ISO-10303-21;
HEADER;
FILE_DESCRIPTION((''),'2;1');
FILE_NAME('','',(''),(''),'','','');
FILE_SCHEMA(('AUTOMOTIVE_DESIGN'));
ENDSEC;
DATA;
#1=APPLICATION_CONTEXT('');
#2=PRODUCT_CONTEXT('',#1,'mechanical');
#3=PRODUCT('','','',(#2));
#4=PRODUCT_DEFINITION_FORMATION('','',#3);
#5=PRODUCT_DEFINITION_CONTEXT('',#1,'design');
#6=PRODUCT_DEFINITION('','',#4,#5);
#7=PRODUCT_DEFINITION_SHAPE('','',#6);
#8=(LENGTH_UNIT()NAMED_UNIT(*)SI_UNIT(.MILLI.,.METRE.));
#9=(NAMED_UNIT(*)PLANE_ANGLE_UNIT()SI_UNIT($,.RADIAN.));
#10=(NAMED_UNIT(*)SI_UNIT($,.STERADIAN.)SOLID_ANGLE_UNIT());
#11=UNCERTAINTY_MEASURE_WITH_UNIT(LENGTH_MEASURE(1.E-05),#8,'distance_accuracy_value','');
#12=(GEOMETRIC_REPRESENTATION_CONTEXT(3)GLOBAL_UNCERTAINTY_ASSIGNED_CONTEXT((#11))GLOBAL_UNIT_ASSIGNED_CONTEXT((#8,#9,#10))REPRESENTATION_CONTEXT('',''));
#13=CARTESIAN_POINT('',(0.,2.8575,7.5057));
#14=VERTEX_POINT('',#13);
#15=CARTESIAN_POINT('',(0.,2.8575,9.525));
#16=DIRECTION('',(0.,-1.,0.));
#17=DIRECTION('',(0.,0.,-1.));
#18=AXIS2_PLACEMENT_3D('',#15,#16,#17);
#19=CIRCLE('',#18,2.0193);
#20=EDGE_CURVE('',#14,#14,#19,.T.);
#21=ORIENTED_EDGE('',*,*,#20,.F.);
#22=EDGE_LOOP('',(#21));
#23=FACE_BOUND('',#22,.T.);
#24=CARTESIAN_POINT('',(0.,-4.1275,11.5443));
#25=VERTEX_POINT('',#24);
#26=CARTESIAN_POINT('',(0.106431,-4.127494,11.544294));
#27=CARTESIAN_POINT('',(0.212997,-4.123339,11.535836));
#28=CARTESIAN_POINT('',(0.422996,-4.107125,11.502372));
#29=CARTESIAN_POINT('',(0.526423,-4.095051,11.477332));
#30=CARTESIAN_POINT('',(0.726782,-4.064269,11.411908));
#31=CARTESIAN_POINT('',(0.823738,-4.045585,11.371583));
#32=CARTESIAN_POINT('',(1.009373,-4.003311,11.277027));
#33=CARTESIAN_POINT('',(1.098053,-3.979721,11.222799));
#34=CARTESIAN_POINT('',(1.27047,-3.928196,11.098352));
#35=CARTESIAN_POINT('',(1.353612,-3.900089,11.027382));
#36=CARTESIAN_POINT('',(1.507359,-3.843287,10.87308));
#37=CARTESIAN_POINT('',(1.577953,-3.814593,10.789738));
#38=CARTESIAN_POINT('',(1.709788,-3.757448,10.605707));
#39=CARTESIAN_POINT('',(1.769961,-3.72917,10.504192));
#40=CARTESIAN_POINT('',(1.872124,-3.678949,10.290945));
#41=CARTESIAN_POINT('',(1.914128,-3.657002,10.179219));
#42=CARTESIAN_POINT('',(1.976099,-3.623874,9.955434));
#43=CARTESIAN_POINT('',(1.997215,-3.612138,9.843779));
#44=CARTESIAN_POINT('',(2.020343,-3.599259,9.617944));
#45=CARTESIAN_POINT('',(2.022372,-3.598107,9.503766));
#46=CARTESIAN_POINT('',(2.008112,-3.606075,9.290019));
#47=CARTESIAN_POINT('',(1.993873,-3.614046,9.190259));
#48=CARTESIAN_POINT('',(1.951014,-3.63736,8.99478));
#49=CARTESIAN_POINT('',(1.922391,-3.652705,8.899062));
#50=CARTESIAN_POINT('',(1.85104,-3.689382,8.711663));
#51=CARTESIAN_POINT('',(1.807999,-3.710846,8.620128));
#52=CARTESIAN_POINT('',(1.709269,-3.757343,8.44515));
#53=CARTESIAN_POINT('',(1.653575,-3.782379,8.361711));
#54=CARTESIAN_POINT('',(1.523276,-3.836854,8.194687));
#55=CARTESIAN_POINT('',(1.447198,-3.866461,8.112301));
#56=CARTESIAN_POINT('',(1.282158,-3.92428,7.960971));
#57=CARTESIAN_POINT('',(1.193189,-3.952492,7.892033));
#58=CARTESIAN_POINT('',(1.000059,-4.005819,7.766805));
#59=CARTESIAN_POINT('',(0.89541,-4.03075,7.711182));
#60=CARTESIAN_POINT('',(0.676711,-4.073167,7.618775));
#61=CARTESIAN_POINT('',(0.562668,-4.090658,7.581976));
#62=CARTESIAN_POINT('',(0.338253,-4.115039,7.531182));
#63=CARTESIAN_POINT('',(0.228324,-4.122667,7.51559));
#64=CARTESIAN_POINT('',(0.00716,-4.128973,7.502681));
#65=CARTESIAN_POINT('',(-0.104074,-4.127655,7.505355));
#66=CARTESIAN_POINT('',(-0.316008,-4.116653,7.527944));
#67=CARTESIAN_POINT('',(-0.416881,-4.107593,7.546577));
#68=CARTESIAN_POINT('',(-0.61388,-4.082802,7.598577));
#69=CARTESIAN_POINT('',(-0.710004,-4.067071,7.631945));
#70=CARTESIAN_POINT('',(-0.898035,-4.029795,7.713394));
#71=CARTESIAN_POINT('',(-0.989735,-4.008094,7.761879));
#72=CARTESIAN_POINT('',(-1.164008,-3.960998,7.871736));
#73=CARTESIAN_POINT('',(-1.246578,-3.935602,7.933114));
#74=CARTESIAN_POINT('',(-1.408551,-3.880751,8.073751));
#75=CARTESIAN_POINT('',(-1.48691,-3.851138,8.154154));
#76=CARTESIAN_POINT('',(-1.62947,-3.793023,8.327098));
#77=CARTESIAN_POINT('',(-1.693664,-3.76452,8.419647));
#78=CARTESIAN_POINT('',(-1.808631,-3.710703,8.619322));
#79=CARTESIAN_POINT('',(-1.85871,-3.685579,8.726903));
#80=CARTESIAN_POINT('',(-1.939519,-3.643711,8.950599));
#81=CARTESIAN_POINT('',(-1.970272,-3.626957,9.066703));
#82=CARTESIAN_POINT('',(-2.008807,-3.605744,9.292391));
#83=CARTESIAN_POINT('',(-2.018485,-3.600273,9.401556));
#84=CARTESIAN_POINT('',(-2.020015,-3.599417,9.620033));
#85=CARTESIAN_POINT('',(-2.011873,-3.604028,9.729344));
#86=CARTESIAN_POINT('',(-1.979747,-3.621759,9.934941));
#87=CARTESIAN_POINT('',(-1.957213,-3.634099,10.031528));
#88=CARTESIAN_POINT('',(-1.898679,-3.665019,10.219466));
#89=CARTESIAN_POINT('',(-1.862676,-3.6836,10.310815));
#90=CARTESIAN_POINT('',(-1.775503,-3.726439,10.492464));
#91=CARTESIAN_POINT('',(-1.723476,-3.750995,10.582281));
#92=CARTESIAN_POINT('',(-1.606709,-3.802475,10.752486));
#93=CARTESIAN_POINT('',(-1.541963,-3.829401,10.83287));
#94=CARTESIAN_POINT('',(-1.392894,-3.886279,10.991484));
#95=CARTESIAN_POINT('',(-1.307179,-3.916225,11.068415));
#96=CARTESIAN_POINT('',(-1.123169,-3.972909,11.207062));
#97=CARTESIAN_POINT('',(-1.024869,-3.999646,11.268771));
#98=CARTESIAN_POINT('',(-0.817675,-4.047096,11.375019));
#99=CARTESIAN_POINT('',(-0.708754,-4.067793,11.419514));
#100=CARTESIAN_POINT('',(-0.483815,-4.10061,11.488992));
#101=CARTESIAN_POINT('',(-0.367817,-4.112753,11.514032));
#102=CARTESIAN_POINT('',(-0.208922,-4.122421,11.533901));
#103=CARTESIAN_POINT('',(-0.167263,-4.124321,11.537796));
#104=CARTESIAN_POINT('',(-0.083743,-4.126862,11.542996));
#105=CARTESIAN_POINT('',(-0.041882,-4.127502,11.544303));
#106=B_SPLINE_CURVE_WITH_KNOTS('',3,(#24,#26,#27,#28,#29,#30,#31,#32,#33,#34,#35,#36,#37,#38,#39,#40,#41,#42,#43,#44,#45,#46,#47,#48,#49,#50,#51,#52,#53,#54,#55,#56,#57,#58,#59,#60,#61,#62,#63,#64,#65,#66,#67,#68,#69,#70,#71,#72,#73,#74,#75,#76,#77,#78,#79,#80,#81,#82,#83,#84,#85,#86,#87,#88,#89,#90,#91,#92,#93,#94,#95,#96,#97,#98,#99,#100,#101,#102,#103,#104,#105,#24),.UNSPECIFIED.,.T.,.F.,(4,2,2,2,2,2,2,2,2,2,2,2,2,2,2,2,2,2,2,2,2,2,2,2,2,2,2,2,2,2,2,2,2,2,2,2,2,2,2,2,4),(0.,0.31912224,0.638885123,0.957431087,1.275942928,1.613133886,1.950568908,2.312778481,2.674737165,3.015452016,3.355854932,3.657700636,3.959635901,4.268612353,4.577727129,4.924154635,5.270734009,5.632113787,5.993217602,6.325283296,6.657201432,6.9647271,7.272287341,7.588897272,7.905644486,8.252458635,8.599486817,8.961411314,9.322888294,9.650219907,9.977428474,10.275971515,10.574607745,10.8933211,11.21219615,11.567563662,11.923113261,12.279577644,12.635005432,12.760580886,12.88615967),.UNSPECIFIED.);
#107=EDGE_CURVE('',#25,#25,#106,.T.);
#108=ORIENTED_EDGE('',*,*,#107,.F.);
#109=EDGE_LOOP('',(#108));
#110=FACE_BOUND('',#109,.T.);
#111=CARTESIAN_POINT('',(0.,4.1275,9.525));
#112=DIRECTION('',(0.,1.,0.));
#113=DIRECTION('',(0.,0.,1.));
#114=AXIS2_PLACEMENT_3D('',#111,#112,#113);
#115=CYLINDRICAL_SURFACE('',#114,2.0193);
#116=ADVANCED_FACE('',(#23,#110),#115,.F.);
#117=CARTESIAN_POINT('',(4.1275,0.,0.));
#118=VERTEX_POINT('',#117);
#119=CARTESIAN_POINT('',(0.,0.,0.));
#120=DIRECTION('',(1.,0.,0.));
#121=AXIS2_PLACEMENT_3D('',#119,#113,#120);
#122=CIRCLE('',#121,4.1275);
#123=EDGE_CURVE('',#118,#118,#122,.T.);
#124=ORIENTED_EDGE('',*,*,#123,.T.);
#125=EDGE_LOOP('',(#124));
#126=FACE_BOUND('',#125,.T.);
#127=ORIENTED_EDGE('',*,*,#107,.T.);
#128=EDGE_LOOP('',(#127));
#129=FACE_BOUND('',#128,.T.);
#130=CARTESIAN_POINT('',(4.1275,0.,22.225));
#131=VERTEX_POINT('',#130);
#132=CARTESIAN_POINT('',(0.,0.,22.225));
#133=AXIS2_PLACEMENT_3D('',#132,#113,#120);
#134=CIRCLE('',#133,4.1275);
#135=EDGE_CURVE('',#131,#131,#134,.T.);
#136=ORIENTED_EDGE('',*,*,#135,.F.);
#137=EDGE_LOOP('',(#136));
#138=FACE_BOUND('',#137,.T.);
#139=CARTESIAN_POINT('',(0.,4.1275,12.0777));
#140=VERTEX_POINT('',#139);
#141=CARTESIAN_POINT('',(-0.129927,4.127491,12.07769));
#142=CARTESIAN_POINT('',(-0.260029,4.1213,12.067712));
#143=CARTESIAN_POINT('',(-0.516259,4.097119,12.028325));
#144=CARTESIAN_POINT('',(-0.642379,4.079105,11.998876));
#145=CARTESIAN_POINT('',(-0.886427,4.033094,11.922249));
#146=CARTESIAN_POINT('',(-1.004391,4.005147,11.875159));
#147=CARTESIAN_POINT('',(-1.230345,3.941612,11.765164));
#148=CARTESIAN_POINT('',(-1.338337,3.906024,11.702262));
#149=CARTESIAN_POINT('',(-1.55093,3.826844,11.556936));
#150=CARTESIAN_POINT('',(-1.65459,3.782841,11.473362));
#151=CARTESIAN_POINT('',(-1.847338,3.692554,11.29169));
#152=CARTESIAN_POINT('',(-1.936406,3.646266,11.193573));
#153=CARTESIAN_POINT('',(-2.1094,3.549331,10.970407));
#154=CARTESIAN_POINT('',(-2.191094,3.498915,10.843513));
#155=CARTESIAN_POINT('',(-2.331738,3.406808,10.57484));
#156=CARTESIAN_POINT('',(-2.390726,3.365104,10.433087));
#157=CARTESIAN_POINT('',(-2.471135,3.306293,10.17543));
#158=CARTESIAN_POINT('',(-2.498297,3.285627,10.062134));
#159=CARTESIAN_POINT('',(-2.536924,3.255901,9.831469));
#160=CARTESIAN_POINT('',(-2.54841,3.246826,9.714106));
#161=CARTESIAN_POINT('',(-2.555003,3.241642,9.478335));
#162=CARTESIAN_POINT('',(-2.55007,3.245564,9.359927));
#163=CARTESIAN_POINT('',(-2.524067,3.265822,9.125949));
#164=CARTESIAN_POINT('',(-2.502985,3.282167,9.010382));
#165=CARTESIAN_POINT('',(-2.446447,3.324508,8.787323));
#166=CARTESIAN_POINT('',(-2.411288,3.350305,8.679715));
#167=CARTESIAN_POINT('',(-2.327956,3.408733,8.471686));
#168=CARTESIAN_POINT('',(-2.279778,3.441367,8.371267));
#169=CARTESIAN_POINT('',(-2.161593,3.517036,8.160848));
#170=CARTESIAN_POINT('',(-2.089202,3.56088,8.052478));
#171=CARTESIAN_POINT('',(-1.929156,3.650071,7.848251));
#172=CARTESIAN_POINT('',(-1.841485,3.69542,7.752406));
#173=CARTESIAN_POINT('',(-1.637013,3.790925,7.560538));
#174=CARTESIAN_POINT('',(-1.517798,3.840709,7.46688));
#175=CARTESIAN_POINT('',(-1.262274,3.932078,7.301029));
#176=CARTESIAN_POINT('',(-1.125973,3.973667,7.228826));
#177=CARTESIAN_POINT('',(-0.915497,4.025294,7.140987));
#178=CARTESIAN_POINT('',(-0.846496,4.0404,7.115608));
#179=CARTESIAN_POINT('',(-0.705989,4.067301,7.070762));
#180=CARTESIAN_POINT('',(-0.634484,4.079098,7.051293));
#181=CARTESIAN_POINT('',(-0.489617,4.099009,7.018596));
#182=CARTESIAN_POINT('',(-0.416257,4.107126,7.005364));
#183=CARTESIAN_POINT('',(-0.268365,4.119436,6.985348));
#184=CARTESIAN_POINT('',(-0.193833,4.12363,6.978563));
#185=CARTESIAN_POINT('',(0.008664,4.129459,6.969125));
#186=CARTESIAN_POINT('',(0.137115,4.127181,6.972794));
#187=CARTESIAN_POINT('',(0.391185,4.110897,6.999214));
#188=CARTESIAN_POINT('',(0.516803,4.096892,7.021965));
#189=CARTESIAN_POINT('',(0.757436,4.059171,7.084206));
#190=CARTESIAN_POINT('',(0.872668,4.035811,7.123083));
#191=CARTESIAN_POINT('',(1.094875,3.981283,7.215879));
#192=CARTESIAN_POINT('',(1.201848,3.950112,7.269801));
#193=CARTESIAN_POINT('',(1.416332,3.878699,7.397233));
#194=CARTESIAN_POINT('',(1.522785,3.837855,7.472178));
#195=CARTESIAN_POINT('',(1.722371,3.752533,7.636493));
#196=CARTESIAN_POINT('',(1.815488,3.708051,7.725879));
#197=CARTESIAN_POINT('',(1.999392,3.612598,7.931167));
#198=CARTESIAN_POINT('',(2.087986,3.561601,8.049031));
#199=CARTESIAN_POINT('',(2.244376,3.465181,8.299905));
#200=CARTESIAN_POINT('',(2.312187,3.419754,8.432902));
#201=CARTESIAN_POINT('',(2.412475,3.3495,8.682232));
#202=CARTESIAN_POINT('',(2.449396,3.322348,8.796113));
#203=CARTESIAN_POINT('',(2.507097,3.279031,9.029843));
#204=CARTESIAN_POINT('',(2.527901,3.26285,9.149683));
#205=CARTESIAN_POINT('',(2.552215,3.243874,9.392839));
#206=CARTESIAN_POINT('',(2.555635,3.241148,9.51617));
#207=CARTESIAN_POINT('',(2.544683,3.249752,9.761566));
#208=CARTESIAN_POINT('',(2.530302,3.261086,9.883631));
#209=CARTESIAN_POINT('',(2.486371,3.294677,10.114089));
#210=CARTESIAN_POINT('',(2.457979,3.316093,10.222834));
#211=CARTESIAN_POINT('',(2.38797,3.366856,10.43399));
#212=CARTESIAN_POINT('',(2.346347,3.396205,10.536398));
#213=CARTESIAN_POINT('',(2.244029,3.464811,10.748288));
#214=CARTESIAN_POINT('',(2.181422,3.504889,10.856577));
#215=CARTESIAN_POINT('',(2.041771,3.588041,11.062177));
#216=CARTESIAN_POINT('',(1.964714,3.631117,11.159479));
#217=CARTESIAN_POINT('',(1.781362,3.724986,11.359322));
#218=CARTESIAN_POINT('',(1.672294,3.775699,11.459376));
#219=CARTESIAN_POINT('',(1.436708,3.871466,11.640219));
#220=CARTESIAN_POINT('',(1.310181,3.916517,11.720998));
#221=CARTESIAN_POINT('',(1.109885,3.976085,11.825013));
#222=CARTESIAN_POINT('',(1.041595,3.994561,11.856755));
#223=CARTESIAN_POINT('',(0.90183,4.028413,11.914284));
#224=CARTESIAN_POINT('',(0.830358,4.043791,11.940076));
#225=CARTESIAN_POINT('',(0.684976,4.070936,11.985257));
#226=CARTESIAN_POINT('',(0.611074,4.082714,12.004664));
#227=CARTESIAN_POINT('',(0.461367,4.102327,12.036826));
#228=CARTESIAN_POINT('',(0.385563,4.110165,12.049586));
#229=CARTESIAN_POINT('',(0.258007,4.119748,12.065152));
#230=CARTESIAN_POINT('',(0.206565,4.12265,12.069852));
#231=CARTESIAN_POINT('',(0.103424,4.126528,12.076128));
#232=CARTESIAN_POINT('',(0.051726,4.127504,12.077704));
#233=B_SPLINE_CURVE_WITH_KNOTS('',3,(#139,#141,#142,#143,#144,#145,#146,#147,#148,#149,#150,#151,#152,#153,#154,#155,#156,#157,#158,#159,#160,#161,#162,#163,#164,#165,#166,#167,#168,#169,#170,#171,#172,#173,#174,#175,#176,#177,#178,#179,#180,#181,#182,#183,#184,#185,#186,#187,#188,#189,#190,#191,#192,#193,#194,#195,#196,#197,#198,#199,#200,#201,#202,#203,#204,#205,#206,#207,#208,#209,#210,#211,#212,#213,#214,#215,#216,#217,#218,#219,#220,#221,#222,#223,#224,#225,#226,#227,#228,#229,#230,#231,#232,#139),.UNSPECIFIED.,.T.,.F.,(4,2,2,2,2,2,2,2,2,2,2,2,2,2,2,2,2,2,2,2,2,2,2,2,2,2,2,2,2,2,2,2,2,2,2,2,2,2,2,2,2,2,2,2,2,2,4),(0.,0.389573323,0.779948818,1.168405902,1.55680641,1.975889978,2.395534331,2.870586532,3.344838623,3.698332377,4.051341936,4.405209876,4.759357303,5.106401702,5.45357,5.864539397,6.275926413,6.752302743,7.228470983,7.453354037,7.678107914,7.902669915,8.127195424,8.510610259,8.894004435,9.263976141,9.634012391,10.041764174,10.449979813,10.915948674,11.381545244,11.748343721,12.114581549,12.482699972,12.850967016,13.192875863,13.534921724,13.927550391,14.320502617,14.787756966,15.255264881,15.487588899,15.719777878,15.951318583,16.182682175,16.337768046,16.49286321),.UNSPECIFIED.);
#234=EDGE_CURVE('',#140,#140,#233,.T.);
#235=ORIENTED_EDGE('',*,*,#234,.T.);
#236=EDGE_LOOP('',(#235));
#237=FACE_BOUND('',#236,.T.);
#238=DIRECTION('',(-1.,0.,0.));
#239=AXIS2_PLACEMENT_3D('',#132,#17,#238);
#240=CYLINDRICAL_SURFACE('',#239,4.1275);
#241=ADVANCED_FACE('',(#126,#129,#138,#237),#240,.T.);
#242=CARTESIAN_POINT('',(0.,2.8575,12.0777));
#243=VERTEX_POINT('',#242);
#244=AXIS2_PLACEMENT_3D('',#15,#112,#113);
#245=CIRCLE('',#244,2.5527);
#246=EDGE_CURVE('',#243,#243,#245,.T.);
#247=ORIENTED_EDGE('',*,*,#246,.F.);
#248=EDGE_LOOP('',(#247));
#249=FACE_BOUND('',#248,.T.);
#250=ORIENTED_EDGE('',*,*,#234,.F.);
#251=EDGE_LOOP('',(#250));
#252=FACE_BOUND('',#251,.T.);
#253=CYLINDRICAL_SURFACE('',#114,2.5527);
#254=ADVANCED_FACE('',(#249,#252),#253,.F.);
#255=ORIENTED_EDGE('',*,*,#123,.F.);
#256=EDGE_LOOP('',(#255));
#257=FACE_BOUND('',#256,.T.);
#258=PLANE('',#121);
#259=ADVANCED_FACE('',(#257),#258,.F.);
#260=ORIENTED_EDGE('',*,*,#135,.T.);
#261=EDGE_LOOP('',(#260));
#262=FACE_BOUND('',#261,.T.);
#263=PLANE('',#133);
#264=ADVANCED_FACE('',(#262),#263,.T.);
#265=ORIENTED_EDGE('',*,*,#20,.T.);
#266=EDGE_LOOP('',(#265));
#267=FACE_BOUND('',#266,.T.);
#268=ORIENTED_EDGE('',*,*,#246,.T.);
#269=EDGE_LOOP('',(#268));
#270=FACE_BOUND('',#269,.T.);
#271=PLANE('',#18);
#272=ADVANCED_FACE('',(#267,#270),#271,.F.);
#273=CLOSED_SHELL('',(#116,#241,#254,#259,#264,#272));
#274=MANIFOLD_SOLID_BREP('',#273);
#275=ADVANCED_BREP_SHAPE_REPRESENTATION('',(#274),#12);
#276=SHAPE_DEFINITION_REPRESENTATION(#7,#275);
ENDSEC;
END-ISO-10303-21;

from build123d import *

# Parameters (mm, degrees)
SKETCH1_R                      = 4.1275
BOSS_EXTRUDE1_DEPTH            = 22.225
F_7_0_201_DIAMETER_HOLE1_D     = 5.1054
F_7_0_201_DIAMETER_HOLE1_DEPTH = 1.27
F_10_32_TAPPED_HOLE1_D         = 4.0386


with BuildPart() as part:
    # Sketch1 → Boss-Extrude1 (new body)
    with BuildSketch(Plane.XY):
        Circle(SKETCH1_R)
    extrude(amount=BOSS_EXTRUDE1_DEPTH)

    # #7 (0.201) Diameter Hole1
    with Locations(Plane(origin=(0, 4.1275, 9.525), x_dir=(1, 0, 0), z_dir=(0, 1, 0))):
        with Locations((0, 0)):
            Hole(F_7_0_201_DIAMETER_HOLE1_D / 2, depth=F_7_0_201_DIAMETER_HOLE1_DEPTH)

    # #10-32 Tapped Hole1 (through all)
    with Locations(Plane(origin=(0, 4.1275, 9.525), x_dir=(1, 0, 0), z_dir=(0, 1, 0))):
        with Locations((0, 0)):
            Hole(F_10_32_TAPPED_HOLE1_D / 2)


solid = part.part
